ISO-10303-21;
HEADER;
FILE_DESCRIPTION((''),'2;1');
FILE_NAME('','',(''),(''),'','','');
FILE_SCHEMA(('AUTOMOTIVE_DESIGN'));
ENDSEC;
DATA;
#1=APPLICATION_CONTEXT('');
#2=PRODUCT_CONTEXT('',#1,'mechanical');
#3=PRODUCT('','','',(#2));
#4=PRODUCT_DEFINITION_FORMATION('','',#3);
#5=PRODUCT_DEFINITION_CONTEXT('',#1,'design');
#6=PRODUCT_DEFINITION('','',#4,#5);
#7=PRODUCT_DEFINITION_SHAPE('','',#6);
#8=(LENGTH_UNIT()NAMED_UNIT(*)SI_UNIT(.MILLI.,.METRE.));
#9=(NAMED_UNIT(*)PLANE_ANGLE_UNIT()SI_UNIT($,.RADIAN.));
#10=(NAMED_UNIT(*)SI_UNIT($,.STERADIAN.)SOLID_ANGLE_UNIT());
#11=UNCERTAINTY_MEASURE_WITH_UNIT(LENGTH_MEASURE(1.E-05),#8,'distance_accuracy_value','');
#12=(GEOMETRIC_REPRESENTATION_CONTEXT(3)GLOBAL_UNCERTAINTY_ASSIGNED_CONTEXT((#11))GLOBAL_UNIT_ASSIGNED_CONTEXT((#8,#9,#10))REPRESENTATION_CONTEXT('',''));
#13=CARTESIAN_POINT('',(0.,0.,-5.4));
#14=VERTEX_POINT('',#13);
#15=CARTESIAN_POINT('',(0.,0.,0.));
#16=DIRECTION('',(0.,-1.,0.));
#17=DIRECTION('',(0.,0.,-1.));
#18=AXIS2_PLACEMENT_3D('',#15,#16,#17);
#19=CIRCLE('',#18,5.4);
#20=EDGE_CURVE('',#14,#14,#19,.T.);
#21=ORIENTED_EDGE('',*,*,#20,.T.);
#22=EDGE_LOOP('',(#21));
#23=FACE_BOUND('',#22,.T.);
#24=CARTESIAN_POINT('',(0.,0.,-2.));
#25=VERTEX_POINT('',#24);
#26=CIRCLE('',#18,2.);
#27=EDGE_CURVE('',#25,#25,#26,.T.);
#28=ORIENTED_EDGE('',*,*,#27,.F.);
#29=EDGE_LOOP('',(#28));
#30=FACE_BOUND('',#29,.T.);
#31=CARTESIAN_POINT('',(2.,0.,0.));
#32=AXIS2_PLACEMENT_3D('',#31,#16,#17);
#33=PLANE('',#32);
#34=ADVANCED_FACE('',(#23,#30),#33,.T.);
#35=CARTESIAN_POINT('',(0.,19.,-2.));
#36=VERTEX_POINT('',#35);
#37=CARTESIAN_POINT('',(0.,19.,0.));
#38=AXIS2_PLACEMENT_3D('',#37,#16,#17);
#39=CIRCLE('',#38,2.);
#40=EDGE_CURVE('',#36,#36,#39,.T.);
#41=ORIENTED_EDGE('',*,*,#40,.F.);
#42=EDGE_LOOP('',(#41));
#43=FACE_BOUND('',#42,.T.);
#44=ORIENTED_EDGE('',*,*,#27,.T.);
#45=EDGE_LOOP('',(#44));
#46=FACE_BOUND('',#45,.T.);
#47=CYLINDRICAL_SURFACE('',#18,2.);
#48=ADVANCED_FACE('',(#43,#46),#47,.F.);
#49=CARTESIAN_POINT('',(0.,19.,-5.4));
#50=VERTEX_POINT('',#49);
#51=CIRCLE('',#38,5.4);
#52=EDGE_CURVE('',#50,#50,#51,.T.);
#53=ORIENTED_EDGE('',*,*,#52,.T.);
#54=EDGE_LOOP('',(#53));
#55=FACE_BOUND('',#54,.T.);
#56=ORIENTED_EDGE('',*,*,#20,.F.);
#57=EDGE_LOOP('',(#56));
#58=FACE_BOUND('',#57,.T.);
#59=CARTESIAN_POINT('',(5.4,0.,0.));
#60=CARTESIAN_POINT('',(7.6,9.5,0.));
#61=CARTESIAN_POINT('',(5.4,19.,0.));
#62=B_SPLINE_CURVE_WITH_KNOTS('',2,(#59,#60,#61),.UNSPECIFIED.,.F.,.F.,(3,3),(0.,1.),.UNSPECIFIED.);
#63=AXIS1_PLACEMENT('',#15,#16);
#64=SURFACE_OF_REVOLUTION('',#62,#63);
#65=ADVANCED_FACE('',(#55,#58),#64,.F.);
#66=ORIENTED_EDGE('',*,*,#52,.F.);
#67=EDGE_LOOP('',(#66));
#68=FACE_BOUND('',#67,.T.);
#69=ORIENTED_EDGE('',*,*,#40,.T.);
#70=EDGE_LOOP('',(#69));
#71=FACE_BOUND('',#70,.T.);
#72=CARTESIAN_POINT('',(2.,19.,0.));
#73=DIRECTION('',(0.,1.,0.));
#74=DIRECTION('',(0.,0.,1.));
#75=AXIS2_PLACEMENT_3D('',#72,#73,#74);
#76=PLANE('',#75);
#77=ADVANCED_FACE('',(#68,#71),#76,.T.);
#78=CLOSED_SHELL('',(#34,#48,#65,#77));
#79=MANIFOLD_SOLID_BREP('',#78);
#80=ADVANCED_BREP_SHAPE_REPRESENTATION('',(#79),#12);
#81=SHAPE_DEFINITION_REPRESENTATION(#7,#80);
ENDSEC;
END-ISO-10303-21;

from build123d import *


with BuildPart() as part:
    # Croquis1 → Revolución2 (revolve)
    with BuildSketch(Plane.XY):
        with BuildLine():
            Line((2, 19), (2, 0))
            Line((2, 0), (5.4, 0))
            add(Edge.make_bspline(
                [(5.4, 19), (7.6, 9.5), (5.4, 0)],
                knots=[0, 0, 0, 1, 1, 1], degree=2))
            Line((5.4, 19), (2, 19))
        make_face()
    revolve(axis=Axis((0, 0, 0), (0, 1, 0)))


solid = part.part
